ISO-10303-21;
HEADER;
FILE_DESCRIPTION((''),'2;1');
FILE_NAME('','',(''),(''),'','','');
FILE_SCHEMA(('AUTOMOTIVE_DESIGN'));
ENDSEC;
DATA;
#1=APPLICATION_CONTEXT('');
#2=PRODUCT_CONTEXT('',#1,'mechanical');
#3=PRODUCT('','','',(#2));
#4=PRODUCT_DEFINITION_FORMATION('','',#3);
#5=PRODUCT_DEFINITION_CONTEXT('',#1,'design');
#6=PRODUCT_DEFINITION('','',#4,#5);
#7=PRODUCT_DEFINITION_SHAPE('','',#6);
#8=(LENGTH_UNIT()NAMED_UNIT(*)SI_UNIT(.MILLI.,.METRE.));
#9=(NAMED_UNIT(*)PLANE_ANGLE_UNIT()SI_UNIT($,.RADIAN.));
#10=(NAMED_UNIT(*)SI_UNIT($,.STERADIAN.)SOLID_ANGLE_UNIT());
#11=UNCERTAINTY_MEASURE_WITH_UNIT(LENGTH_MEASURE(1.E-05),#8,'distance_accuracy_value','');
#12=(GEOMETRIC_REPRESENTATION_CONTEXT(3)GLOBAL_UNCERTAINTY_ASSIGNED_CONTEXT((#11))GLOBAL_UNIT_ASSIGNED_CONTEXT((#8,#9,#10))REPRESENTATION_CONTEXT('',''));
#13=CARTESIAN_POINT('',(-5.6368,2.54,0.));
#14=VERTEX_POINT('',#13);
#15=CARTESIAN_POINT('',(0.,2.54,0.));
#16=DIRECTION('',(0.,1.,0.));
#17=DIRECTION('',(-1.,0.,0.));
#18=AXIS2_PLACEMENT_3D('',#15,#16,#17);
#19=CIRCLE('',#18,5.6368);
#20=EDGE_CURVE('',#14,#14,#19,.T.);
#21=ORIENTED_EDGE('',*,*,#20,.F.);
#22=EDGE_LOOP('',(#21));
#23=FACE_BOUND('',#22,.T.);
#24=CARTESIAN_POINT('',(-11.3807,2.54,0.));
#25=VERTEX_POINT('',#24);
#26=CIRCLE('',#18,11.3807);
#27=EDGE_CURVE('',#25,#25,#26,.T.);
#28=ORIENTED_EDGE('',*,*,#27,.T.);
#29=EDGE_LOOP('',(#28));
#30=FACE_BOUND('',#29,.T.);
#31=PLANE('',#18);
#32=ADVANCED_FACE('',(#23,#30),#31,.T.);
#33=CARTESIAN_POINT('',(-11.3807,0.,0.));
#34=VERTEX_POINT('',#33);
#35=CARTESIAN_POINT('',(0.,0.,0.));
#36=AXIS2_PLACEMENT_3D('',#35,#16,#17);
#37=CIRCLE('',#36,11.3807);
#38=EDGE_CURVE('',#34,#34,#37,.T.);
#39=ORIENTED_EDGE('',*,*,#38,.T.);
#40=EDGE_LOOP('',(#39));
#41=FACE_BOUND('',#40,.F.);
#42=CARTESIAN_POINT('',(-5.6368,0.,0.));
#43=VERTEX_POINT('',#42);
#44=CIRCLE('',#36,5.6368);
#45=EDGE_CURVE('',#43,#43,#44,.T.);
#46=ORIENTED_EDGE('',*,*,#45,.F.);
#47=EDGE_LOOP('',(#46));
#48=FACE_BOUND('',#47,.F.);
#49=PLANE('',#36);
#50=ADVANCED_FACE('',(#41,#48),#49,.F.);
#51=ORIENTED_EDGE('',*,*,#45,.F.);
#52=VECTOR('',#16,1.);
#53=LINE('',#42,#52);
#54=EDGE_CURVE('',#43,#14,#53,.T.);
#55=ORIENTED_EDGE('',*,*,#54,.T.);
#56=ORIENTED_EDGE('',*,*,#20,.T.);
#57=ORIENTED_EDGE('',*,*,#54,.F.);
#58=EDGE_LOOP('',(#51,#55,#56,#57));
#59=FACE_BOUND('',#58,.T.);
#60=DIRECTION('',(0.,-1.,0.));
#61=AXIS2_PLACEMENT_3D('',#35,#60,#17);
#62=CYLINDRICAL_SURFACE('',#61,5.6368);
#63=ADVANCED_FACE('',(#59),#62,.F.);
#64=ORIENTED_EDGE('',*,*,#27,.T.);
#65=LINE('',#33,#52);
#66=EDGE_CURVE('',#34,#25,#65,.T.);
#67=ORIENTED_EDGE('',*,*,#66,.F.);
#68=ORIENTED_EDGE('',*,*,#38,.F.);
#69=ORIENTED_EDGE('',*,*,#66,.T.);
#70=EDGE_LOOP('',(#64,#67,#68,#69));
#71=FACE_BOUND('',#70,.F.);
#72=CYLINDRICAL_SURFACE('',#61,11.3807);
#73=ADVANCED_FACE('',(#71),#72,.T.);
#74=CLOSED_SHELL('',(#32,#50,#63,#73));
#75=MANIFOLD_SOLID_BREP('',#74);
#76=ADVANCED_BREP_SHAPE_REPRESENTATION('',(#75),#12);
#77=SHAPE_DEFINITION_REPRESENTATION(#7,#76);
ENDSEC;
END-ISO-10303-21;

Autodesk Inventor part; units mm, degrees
ref_plane "YZ Plane" through (0, 0, 0) normal (1, 0, 0) x (0, 1, 0)
ref_plane "XZ Plane" through (0, 0, 0) normal (0, 1, 0) x (-1, 0, 0)
ref_plane "XY Plane" through (0, 0, 0) normal (0, 0, 1) x (1, 0, 0)
sketch "Sketch1" plane through (0, 0, 0) normal (0, 1, 0) x (-1, 0, 0)
  circle A0 centre (0, 0) radius 5.6368
  circle A1 centre (0, 0) radius 11.3807
extrude "Extrusion1" add sketch "Sketch1" along normal blind 2.54
properties part number "Waher"
